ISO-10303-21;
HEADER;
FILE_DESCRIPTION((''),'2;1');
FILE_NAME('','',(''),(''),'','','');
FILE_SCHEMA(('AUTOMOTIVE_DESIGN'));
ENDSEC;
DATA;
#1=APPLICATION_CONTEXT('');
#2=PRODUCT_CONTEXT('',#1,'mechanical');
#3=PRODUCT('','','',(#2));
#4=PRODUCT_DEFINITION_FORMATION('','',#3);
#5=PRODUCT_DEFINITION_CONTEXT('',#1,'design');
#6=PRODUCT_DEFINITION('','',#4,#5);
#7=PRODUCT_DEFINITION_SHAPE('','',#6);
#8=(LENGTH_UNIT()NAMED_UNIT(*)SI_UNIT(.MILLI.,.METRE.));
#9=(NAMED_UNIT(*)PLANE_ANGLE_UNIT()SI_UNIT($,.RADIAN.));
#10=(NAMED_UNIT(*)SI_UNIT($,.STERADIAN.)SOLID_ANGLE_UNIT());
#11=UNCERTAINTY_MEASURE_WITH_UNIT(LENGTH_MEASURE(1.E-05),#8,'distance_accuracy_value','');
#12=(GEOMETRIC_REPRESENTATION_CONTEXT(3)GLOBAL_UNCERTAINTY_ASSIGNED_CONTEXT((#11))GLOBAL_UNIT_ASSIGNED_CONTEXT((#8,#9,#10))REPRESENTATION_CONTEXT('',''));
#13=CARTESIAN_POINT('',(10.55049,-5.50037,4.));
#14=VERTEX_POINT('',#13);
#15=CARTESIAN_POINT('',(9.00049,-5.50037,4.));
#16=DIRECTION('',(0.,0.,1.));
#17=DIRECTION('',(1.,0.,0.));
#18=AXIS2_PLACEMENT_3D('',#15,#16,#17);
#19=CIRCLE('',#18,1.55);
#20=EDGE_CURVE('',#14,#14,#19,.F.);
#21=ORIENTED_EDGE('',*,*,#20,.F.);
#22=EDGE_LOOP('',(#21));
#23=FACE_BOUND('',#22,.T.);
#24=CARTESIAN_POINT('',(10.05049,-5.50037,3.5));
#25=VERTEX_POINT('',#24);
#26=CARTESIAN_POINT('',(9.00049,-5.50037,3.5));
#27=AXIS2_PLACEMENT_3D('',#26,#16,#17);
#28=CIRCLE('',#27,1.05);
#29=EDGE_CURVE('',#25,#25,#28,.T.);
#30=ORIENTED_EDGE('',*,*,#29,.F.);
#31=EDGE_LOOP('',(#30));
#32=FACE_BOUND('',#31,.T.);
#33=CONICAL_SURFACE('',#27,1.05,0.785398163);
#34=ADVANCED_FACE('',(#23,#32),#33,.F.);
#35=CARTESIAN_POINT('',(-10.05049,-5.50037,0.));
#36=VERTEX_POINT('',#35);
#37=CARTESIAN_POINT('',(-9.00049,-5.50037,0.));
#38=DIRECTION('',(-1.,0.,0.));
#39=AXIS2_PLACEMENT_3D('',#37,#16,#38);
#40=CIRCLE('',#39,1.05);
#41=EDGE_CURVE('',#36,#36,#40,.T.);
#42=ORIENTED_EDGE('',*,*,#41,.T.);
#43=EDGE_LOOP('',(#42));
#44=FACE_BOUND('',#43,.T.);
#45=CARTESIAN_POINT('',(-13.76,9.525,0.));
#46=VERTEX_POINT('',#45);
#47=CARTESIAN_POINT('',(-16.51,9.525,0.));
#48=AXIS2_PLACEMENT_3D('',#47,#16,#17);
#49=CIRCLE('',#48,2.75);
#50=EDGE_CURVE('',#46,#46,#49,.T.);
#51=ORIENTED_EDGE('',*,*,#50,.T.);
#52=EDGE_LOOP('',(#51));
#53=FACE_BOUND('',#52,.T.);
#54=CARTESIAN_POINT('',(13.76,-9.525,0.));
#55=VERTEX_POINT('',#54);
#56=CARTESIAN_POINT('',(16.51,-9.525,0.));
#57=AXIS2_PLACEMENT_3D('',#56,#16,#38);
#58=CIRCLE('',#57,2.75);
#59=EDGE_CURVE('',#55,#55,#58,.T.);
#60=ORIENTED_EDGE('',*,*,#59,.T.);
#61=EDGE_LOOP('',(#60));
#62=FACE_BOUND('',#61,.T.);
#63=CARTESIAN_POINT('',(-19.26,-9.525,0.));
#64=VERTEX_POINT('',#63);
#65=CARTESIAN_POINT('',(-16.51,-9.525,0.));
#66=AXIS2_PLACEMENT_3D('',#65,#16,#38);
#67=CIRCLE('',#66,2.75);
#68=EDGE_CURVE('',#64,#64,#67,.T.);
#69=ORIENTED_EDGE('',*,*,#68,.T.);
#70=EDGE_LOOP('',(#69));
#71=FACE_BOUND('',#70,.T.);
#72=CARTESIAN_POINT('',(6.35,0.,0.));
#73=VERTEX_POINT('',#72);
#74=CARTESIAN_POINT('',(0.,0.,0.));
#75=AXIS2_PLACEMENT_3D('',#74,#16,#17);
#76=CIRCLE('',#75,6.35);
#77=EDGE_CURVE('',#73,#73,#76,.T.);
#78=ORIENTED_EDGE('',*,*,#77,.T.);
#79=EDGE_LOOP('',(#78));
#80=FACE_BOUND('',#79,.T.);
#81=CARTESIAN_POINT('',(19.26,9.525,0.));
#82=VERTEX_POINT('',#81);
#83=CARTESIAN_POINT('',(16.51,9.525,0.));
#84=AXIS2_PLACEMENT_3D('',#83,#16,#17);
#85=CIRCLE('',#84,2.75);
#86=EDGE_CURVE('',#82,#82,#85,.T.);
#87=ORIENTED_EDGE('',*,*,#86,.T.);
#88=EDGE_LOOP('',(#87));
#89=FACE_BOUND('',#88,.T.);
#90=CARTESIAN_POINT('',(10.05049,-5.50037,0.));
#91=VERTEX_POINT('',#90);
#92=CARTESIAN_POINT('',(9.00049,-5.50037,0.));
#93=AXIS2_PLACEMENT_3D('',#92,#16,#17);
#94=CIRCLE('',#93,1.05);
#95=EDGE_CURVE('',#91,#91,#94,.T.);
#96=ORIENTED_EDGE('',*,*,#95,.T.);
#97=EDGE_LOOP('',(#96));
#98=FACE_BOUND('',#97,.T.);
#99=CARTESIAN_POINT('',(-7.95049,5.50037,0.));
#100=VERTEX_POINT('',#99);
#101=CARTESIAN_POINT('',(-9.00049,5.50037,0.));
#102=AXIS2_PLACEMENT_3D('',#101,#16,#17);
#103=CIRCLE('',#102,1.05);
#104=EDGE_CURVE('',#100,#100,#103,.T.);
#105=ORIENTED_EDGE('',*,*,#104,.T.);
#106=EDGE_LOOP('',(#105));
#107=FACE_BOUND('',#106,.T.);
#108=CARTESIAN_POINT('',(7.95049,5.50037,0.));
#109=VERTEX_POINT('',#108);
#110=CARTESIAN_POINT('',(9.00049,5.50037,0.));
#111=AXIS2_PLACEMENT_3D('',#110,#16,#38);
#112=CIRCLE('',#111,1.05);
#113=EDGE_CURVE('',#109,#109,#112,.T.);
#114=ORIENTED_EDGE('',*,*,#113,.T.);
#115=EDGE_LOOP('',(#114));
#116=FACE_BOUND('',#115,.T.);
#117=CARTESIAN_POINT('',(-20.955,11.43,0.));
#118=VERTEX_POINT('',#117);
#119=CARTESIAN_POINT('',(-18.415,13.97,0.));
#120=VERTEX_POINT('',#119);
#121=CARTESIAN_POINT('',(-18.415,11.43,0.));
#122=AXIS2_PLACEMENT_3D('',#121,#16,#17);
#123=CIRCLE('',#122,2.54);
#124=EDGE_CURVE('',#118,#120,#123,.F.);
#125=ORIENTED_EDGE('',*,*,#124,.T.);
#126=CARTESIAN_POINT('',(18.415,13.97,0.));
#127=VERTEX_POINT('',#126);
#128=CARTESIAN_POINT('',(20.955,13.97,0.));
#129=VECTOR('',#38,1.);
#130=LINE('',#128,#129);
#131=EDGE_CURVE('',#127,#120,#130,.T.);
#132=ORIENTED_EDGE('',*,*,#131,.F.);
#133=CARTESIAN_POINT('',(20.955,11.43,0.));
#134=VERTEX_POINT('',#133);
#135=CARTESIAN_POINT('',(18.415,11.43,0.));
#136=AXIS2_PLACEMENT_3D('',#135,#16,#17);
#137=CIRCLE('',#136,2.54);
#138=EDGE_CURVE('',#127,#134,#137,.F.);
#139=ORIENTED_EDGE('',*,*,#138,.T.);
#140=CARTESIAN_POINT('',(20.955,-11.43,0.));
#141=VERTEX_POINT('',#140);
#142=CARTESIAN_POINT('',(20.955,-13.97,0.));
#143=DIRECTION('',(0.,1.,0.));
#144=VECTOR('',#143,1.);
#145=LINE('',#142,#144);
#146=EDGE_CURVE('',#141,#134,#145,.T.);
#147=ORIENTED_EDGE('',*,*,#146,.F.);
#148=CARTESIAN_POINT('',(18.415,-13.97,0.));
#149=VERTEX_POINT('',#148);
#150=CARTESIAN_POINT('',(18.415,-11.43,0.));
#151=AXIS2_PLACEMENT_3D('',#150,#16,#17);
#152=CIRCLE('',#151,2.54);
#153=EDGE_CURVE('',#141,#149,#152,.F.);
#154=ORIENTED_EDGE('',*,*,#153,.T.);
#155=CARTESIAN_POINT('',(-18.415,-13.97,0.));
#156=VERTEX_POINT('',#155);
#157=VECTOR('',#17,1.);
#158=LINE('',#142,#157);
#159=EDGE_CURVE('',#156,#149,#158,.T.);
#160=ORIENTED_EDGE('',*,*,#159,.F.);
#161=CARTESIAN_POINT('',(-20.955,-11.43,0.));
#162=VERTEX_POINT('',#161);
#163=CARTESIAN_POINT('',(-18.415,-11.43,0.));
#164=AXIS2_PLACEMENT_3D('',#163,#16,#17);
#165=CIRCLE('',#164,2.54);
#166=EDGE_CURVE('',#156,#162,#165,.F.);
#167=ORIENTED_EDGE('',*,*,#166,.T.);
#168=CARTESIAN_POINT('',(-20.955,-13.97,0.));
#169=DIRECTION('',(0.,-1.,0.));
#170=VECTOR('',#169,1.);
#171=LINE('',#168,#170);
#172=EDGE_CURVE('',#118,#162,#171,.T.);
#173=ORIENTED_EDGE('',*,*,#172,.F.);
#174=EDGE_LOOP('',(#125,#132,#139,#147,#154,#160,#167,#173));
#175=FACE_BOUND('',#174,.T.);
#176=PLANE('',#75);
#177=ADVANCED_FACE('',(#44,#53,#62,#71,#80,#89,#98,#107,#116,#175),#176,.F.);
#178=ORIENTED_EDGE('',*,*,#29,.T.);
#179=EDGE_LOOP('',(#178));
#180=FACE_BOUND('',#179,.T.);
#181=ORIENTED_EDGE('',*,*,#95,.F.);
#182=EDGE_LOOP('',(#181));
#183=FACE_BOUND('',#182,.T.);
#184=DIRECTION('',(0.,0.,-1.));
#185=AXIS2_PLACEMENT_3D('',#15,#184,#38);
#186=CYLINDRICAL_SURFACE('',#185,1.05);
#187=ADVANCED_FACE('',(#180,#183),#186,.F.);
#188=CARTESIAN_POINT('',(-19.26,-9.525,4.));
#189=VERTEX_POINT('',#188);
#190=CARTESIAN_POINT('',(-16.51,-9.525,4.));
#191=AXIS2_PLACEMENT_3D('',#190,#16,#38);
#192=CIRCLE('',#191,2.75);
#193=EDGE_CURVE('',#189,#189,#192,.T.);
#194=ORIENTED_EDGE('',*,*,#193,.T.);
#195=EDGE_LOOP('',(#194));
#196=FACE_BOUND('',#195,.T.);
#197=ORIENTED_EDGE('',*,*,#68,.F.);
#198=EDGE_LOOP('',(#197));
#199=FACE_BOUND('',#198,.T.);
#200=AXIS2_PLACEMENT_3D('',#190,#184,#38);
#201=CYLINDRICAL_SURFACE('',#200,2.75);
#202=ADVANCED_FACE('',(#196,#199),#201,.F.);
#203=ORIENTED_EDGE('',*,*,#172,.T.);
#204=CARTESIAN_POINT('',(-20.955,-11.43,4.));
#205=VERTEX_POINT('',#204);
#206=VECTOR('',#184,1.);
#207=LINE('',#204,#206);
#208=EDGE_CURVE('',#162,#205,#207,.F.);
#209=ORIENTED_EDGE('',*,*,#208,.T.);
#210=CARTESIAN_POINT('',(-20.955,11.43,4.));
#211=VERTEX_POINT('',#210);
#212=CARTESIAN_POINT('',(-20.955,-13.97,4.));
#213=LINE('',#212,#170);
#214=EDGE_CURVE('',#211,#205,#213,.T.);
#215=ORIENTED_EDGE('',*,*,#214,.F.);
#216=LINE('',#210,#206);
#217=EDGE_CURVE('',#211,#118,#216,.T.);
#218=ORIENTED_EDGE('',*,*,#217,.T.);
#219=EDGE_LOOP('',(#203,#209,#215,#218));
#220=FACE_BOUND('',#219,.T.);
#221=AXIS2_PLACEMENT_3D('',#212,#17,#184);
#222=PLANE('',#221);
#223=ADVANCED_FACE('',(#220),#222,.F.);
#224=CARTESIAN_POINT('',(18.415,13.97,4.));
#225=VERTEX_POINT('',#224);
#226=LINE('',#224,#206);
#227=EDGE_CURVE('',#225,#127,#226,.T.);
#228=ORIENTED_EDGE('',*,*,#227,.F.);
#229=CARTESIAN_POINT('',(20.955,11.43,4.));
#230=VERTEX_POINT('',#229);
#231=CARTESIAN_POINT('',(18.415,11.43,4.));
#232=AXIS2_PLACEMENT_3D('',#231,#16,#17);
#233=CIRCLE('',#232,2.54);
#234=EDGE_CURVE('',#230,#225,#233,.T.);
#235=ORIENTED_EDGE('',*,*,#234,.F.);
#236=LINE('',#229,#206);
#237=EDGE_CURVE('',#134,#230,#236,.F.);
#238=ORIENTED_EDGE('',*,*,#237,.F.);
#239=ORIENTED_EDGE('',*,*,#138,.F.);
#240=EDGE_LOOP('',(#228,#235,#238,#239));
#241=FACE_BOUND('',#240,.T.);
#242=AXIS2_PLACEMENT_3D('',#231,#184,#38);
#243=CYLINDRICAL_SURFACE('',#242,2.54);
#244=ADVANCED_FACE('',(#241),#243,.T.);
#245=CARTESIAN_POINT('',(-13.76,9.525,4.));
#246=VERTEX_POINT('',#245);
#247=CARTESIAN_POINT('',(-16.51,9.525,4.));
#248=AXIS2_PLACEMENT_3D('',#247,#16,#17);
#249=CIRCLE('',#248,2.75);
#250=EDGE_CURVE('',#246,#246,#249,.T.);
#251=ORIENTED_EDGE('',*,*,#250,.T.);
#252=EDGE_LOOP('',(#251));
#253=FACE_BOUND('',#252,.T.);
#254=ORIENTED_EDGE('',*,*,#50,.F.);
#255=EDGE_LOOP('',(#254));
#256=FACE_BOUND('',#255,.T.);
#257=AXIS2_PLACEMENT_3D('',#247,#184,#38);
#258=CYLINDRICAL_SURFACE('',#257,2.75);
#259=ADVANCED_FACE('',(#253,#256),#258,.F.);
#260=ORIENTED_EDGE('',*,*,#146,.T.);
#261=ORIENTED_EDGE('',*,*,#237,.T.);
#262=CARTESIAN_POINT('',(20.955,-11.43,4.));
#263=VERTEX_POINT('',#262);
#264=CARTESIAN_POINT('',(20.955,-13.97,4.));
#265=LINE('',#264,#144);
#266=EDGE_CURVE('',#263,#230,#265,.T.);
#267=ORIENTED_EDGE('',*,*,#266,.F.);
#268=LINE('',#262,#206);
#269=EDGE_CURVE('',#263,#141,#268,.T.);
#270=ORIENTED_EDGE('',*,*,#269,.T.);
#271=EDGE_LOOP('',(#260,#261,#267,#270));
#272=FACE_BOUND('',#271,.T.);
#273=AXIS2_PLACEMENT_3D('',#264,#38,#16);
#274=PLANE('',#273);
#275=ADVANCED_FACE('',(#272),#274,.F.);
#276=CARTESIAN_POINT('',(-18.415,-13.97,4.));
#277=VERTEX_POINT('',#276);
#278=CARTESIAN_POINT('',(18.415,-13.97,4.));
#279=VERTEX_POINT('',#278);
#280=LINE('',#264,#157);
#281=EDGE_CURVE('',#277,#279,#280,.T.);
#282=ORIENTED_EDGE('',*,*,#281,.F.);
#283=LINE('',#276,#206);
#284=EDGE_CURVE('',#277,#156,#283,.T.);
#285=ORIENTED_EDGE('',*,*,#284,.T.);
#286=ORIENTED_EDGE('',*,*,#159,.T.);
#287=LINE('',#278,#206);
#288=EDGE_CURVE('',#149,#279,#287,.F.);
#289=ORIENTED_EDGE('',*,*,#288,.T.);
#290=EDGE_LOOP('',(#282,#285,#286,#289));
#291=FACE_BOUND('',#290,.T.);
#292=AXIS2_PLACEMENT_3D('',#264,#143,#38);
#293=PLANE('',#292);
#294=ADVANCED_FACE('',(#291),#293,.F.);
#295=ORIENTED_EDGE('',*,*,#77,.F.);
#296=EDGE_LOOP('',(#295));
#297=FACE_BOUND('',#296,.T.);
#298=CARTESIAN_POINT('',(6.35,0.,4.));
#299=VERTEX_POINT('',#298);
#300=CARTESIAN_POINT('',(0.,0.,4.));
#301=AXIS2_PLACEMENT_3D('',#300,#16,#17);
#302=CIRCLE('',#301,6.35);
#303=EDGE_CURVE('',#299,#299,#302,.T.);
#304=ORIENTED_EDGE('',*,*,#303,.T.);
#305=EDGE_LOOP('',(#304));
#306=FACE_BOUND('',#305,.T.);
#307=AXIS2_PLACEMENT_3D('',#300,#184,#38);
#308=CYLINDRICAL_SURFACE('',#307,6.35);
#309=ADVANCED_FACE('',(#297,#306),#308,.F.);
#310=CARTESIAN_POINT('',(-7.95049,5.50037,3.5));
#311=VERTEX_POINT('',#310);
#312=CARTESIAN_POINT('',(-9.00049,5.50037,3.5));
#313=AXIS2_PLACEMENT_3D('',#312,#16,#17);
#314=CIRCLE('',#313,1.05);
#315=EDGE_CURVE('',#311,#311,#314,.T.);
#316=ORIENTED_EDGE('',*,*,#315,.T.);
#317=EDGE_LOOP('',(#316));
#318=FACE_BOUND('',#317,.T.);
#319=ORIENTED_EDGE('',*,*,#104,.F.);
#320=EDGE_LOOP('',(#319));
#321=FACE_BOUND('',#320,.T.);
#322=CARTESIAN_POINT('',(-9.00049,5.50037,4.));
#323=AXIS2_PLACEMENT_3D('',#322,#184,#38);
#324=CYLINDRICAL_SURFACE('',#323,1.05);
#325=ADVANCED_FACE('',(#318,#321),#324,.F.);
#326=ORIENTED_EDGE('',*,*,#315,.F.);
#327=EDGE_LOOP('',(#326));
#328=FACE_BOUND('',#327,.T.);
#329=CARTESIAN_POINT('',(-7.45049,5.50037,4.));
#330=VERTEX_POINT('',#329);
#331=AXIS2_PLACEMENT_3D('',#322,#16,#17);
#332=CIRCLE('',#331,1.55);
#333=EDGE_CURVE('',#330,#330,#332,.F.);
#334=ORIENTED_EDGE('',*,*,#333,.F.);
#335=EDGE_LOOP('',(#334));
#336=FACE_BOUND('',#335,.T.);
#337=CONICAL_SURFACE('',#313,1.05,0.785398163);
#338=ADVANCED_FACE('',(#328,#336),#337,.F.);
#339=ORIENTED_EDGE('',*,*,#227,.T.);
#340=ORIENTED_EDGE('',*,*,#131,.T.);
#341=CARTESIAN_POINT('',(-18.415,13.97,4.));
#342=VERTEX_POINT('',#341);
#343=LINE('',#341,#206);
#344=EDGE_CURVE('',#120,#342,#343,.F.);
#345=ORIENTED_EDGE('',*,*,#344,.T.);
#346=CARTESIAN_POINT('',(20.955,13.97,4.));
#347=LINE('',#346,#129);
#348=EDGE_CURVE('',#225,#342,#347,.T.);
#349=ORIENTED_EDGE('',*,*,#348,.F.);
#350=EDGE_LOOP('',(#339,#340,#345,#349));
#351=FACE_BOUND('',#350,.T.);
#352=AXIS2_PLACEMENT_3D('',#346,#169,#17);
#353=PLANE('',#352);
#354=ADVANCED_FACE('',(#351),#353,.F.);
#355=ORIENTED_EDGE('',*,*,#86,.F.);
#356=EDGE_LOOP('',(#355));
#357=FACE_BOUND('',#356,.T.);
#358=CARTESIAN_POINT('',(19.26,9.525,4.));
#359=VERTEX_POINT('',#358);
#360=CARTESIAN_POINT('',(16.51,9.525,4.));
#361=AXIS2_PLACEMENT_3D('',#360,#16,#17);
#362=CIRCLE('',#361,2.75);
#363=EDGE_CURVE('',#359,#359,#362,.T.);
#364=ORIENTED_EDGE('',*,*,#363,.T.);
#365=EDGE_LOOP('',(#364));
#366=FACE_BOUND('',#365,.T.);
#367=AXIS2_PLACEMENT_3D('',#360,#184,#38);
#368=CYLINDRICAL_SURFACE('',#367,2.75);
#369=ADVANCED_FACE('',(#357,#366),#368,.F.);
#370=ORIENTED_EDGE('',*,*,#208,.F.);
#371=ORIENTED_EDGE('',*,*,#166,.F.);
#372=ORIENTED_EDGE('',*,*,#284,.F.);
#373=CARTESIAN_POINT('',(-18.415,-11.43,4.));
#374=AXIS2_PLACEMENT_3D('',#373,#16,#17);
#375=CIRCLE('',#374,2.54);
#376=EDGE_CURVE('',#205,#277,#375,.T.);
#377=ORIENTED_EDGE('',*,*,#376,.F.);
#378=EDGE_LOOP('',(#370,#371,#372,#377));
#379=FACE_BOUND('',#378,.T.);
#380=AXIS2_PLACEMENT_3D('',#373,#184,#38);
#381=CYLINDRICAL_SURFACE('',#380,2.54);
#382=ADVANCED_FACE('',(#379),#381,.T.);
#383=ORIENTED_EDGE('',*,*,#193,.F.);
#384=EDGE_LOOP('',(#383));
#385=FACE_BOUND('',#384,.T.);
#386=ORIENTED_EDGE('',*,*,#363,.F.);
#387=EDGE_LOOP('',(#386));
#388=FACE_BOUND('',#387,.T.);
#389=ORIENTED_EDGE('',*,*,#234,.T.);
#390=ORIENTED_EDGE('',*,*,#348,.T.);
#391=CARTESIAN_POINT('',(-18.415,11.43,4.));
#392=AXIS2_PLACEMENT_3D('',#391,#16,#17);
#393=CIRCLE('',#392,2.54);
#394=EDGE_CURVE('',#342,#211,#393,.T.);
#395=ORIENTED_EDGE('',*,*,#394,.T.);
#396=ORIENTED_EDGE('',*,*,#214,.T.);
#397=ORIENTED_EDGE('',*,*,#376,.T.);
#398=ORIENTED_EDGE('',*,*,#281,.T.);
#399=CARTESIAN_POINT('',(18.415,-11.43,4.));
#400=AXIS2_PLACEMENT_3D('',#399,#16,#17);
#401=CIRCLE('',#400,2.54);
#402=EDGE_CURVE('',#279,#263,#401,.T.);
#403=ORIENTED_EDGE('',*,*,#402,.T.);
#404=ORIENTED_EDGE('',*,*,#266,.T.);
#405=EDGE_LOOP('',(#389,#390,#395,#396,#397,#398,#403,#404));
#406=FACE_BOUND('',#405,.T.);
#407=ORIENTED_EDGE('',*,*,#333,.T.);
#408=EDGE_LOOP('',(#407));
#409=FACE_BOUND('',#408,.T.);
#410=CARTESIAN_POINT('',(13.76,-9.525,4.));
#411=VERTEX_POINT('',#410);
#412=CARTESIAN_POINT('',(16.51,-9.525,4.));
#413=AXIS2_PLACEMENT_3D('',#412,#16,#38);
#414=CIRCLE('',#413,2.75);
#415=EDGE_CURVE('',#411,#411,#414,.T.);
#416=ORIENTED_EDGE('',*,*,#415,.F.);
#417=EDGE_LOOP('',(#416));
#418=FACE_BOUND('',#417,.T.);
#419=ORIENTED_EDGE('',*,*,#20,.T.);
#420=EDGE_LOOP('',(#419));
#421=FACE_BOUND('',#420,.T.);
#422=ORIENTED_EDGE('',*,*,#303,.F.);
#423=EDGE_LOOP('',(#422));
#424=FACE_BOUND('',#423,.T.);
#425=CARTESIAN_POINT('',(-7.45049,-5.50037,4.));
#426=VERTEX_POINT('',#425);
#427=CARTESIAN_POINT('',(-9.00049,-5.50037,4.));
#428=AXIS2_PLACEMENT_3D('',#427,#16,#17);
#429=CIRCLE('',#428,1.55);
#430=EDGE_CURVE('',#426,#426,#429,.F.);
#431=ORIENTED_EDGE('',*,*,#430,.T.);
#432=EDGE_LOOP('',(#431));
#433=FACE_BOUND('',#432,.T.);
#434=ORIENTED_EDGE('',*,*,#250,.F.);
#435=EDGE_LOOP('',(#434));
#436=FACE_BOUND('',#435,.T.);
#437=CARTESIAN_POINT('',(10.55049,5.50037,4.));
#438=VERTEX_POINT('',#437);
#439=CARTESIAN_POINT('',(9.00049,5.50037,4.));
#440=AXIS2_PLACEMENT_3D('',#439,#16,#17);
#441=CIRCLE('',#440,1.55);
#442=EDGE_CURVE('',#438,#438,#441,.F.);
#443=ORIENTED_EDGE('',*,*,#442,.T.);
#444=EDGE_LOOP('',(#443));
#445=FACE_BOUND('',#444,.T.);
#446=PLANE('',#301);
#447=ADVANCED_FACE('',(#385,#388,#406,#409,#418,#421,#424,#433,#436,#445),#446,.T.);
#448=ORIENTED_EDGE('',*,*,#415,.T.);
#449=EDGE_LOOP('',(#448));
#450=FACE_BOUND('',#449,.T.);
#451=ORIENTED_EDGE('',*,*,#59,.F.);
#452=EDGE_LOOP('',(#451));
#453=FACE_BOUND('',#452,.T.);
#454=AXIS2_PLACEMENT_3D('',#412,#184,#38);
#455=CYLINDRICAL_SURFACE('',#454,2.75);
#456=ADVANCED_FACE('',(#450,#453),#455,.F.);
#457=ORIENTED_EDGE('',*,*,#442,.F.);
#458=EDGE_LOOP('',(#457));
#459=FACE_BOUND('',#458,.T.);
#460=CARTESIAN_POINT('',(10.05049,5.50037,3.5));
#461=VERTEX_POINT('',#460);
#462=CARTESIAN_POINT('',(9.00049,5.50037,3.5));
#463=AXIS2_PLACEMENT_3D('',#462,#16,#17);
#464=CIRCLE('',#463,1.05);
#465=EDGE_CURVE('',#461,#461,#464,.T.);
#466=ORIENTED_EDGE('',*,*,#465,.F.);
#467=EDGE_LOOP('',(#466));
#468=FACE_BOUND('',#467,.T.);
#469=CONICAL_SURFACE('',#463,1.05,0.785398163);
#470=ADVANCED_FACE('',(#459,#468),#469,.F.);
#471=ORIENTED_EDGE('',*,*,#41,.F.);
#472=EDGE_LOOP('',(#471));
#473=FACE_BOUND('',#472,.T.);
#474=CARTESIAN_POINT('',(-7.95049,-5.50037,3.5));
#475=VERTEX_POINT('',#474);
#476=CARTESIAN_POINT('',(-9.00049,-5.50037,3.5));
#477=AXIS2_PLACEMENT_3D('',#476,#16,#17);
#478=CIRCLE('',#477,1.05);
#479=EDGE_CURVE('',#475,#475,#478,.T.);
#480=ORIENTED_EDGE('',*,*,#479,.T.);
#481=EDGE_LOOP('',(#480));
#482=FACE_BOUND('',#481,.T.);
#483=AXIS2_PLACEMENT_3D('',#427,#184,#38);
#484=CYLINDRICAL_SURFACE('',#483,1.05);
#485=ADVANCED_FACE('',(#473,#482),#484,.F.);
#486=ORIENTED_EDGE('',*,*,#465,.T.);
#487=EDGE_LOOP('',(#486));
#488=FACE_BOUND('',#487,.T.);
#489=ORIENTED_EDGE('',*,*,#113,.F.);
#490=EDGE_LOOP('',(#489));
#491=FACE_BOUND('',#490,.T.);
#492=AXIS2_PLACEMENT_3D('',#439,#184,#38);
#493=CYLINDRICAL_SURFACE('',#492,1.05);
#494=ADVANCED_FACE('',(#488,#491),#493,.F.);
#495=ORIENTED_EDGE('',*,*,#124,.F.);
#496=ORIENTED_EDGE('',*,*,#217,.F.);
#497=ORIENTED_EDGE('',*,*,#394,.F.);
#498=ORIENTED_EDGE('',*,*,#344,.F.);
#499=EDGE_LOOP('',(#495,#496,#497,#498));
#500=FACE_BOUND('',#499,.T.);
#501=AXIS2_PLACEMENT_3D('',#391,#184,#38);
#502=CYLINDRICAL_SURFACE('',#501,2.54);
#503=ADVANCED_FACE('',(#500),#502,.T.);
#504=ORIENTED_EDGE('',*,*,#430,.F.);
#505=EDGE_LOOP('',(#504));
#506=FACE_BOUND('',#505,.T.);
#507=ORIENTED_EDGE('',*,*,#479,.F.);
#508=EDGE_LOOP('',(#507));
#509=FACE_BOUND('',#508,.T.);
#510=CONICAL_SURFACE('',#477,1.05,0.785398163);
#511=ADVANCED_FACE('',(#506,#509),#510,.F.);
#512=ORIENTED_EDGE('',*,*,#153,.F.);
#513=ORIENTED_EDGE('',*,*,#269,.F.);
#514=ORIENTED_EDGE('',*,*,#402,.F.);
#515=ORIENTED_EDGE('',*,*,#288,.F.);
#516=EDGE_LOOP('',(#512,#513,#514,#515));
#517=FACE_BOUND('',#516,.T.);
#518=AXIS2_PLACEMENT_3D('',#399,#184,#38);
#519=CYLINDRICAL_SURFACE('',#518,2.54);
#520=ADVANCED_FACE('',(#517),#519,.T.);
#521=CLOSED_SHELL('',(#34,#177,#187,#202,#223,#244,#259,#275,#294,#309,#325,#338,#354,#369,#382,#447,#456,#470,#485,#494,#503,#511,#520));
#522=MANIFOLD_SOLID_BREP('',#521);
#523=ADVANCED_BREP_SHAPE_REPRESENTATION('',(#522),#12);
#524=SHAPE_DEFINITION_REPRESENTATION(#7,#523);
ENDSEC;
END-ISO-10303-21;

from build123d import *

# Parameters (mm, degrees)
SKETCH1_W           = 41.91
SKETCH1_H           = 27.94
SKETCH1_R           = 2.75
SKETCH1_R_2         = 1.05
SKETCH1_R_3         = 6.35
BOSS_EXTRUDE1_DEPTH = 4
FILLET1_R           = 2.54
CHAMFER1_SIZE       = 0.5


with BuildPart() as part:
    # Sketch1 → Boss-Extrude1 (new body)
    with BuildSketch(Plane.XY):
        Rectangle(SKETCH1_W, SKETCH1_H)
        with Locations((-16.51, 9.525)):
            Circle(SKETCH1_R, mode=Mode.SUBTRACT)
        with Locations((16.51, 9.525)):
            Circle(SKETCH1_R, mode=Mode.SUBTRACT)
        with Locations((16.51, -9.525)):
            Circle(SKETCH1_R, mode=Mode.SUBTRACT)
        with Locations((-16.51, -9.525)):
            Circle(SKETCH1_R, mode=Mode.SUBTRACT)
        with Locations((-9.00049, 5.50037)):
            Circle(SKETCH1_R_2, mode=Mode.SUBTRACT)
        with Locations((9.00049, -5.50037)):
            Circle(SKETCH1_R_2, mode=Mode.SUBTRACT)
        Circle(SKETCH1_R_3, mode=Mode.SUBTRACT)
        with Locations((-9.00049, -5.50037)):
            Circle(SKETCH1_R_2, mode=Mode.SUBTRACT)
        with Locations((9.00049, 5.50037)):
            Circle(SKETCH1_R_2, mode=Mode.SUBTRACT)
    extrude(amount=BOSS_EXTRUDE1_DEPTH)

    # Fillet1
    fillet1_edges = [part.edges().sort_by_distance(p)[0] for p in [
        (-20.955, 13.97, 2),
        (20.955, 13.97, 2),
        (20.955, -13.97, 2),
        (-20.955, -13.97, 2),
    ]]
    fillet(fillet1_edges, radius=FILLET1_R)

    # Chamfer1
    chamfer1_edges = [part.edges().sort_by_distance(p)[0] for p in [
        (7.95049, -5.50037, 4),
        (-10.05049, 5.50037, 4),
        (-10.05049, -5.50037, 4),
        (7.95049, 5.50037, 4),
    ]]
    chamfer(chamfer1_edges, length=CHAMFER1_SIZE)


solid = part.part
